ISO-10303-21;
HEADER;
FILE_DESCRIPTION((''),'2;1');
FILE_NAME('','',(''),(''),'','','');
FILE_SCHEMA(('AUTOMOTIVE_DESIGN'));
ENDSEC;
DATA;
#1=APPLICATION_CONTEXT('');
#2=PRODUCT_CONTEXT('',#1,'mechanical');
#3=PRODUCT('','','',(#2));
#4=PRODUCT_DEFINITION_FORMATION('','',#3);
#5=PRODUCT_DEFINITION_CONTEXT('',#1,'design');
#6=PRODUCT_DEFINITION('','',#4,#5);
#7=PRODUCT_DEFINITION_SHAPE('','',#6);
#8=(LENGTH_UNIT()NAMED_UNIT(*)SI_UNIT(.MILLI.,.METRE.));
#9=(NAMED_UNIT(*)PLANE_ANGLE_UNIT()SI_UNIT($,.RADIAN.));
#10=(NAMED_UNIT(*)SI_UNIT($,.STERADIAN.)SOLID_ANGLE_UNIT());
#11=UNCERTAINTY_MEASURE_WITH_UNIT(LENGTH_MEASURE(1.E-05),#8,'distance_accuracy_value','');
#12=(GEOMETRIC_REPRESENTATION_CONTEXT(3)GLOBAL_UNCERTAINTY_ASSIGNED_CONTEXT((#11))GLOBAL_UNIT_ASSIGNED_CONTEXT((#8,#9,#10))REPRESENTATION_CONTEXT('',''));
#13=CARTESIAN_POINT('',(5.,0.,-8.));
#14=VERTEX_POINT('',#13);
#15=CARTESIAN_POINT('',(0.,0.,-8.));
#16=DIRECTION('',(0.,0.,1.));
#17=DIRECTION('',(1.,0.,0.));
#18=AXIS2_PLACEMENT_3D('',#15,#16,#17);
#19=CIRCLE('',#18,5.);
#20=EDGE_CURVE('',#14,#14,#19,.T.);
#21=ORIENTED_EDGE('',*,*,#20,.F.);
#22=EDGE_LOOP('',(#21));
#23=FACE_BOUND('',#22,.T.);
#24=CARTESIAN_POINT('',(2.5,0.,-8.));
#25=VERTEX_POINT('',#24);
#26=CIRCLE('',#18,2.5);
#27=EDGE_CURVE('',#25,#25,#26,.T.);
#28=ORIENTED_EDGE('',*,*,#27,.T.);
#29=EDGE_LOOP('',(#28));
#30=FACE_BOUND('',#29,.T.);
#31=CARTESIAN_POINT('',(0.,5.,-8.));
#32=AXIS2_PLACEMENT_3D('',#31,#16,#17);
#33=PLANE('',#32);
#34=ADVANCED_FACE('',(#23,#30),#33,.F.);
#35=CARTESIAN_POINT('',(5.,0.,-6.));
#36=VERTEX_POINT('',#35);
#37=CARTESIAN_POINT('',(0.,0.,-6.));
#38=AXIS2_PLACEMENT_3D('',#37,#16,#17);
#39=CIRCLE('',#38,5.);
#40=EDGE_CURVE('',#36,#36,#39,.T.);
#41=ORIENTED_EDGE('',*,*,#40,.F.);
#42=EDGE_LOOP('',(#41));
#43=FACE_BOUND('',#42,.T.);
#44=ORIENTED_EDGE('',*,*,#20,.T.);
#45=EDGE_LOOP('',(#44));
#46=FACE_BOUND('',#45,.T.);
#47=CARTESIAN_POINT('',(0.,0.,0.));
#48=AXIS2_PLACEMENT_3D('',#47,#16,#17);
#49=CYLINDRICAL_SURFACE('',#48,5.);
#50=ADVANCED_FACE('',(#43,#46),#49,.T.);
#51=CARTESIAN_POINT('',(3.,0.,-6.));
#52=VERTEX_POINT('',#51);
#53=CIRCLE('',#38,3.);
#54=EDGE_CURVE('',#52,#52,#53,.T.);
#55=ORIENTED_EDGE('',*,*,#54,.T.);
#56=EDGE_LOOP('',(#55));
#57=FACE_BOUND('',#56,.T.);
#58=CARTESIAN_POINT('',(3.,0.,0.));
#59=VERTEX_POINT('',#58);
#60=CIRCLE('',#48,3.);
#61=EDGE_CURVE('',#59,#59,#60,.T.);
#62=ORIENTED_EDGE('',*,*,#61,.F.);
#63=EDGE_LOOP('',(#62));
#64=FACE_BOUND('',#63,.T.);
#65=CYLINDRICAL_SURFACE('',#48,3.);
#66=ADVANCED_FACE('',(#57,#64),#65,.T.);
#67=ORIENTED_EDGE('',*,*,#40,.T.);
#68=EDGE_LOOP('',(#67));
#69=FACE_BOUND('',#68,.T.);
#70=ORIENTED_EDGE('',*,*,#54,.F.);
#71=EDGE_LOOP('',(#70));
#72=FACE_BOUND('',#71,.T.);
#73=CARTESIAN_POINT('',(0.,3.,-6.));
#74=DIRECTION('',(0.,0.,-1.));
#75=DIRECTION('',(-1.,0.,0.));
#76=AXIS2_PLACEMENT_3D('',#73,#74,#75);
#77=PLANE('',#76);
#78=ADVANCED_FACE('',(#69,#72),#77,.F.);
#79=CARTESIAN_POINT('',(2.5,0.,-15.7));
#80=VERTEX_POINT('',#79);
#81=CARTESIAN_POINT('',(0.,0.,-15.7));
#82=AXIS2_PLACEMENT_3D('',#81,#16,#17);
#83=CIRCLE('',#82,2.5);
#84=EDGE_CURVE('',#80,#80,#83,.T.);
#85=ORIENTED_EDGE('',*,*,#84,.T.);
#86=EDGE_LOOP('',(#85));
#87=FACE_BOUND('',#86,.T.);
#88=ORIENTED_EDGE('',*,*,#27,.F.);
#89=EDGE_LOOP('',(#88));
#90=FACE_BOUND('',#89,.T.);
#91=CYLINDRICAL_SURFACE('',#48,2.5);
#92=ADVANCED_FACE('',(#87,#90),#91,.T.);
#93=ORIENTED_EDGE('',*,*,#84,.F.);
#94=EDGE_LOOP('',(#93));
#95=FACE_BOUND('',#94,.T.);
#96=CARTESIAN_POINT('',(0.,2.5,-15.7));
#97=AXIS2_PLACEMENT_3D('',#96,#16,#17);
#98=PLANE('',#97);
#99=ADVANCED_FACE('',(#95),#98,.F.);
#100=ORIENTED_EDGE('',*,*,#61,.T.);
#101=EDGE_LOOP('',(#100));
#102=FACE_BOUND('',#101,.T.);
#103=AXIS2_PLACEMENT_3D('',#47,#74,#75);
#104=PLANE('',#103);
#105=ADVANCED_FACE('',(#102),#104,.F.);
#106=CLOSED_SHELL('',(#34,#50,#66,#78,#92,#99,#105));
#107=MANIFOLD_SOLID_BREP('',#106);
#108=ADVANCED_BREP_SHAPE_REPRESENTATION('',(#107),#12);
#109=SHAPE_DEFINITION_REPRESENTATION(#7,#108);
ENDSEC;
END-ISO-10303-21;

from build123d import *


with BuildPart() as part:
    # Schizzo2 → Rivoluzione1 (revolve)
    with BuildSketch(Plane(origin=(0, 0, 0), x_dir=(0, 0, -1), z_dir=(1, 0, 0)), mode=Mode.PRIVATE) as rivoluzione1_sk:
        Polygon((0, 0), (0, 3), (6, 3), (6, 5), (8, 5), (8, 2.5), (13, 2.5), (15.7, 2.5), (15.7, 0), align=None)
    revolve(rivoluzione1_sk.sketch.rotate(Axis((0, 0, 0), (0, 0, -1)), 90), axis=Axis((0, 0, 0), (0, 0, -1)))


solid = part.part
